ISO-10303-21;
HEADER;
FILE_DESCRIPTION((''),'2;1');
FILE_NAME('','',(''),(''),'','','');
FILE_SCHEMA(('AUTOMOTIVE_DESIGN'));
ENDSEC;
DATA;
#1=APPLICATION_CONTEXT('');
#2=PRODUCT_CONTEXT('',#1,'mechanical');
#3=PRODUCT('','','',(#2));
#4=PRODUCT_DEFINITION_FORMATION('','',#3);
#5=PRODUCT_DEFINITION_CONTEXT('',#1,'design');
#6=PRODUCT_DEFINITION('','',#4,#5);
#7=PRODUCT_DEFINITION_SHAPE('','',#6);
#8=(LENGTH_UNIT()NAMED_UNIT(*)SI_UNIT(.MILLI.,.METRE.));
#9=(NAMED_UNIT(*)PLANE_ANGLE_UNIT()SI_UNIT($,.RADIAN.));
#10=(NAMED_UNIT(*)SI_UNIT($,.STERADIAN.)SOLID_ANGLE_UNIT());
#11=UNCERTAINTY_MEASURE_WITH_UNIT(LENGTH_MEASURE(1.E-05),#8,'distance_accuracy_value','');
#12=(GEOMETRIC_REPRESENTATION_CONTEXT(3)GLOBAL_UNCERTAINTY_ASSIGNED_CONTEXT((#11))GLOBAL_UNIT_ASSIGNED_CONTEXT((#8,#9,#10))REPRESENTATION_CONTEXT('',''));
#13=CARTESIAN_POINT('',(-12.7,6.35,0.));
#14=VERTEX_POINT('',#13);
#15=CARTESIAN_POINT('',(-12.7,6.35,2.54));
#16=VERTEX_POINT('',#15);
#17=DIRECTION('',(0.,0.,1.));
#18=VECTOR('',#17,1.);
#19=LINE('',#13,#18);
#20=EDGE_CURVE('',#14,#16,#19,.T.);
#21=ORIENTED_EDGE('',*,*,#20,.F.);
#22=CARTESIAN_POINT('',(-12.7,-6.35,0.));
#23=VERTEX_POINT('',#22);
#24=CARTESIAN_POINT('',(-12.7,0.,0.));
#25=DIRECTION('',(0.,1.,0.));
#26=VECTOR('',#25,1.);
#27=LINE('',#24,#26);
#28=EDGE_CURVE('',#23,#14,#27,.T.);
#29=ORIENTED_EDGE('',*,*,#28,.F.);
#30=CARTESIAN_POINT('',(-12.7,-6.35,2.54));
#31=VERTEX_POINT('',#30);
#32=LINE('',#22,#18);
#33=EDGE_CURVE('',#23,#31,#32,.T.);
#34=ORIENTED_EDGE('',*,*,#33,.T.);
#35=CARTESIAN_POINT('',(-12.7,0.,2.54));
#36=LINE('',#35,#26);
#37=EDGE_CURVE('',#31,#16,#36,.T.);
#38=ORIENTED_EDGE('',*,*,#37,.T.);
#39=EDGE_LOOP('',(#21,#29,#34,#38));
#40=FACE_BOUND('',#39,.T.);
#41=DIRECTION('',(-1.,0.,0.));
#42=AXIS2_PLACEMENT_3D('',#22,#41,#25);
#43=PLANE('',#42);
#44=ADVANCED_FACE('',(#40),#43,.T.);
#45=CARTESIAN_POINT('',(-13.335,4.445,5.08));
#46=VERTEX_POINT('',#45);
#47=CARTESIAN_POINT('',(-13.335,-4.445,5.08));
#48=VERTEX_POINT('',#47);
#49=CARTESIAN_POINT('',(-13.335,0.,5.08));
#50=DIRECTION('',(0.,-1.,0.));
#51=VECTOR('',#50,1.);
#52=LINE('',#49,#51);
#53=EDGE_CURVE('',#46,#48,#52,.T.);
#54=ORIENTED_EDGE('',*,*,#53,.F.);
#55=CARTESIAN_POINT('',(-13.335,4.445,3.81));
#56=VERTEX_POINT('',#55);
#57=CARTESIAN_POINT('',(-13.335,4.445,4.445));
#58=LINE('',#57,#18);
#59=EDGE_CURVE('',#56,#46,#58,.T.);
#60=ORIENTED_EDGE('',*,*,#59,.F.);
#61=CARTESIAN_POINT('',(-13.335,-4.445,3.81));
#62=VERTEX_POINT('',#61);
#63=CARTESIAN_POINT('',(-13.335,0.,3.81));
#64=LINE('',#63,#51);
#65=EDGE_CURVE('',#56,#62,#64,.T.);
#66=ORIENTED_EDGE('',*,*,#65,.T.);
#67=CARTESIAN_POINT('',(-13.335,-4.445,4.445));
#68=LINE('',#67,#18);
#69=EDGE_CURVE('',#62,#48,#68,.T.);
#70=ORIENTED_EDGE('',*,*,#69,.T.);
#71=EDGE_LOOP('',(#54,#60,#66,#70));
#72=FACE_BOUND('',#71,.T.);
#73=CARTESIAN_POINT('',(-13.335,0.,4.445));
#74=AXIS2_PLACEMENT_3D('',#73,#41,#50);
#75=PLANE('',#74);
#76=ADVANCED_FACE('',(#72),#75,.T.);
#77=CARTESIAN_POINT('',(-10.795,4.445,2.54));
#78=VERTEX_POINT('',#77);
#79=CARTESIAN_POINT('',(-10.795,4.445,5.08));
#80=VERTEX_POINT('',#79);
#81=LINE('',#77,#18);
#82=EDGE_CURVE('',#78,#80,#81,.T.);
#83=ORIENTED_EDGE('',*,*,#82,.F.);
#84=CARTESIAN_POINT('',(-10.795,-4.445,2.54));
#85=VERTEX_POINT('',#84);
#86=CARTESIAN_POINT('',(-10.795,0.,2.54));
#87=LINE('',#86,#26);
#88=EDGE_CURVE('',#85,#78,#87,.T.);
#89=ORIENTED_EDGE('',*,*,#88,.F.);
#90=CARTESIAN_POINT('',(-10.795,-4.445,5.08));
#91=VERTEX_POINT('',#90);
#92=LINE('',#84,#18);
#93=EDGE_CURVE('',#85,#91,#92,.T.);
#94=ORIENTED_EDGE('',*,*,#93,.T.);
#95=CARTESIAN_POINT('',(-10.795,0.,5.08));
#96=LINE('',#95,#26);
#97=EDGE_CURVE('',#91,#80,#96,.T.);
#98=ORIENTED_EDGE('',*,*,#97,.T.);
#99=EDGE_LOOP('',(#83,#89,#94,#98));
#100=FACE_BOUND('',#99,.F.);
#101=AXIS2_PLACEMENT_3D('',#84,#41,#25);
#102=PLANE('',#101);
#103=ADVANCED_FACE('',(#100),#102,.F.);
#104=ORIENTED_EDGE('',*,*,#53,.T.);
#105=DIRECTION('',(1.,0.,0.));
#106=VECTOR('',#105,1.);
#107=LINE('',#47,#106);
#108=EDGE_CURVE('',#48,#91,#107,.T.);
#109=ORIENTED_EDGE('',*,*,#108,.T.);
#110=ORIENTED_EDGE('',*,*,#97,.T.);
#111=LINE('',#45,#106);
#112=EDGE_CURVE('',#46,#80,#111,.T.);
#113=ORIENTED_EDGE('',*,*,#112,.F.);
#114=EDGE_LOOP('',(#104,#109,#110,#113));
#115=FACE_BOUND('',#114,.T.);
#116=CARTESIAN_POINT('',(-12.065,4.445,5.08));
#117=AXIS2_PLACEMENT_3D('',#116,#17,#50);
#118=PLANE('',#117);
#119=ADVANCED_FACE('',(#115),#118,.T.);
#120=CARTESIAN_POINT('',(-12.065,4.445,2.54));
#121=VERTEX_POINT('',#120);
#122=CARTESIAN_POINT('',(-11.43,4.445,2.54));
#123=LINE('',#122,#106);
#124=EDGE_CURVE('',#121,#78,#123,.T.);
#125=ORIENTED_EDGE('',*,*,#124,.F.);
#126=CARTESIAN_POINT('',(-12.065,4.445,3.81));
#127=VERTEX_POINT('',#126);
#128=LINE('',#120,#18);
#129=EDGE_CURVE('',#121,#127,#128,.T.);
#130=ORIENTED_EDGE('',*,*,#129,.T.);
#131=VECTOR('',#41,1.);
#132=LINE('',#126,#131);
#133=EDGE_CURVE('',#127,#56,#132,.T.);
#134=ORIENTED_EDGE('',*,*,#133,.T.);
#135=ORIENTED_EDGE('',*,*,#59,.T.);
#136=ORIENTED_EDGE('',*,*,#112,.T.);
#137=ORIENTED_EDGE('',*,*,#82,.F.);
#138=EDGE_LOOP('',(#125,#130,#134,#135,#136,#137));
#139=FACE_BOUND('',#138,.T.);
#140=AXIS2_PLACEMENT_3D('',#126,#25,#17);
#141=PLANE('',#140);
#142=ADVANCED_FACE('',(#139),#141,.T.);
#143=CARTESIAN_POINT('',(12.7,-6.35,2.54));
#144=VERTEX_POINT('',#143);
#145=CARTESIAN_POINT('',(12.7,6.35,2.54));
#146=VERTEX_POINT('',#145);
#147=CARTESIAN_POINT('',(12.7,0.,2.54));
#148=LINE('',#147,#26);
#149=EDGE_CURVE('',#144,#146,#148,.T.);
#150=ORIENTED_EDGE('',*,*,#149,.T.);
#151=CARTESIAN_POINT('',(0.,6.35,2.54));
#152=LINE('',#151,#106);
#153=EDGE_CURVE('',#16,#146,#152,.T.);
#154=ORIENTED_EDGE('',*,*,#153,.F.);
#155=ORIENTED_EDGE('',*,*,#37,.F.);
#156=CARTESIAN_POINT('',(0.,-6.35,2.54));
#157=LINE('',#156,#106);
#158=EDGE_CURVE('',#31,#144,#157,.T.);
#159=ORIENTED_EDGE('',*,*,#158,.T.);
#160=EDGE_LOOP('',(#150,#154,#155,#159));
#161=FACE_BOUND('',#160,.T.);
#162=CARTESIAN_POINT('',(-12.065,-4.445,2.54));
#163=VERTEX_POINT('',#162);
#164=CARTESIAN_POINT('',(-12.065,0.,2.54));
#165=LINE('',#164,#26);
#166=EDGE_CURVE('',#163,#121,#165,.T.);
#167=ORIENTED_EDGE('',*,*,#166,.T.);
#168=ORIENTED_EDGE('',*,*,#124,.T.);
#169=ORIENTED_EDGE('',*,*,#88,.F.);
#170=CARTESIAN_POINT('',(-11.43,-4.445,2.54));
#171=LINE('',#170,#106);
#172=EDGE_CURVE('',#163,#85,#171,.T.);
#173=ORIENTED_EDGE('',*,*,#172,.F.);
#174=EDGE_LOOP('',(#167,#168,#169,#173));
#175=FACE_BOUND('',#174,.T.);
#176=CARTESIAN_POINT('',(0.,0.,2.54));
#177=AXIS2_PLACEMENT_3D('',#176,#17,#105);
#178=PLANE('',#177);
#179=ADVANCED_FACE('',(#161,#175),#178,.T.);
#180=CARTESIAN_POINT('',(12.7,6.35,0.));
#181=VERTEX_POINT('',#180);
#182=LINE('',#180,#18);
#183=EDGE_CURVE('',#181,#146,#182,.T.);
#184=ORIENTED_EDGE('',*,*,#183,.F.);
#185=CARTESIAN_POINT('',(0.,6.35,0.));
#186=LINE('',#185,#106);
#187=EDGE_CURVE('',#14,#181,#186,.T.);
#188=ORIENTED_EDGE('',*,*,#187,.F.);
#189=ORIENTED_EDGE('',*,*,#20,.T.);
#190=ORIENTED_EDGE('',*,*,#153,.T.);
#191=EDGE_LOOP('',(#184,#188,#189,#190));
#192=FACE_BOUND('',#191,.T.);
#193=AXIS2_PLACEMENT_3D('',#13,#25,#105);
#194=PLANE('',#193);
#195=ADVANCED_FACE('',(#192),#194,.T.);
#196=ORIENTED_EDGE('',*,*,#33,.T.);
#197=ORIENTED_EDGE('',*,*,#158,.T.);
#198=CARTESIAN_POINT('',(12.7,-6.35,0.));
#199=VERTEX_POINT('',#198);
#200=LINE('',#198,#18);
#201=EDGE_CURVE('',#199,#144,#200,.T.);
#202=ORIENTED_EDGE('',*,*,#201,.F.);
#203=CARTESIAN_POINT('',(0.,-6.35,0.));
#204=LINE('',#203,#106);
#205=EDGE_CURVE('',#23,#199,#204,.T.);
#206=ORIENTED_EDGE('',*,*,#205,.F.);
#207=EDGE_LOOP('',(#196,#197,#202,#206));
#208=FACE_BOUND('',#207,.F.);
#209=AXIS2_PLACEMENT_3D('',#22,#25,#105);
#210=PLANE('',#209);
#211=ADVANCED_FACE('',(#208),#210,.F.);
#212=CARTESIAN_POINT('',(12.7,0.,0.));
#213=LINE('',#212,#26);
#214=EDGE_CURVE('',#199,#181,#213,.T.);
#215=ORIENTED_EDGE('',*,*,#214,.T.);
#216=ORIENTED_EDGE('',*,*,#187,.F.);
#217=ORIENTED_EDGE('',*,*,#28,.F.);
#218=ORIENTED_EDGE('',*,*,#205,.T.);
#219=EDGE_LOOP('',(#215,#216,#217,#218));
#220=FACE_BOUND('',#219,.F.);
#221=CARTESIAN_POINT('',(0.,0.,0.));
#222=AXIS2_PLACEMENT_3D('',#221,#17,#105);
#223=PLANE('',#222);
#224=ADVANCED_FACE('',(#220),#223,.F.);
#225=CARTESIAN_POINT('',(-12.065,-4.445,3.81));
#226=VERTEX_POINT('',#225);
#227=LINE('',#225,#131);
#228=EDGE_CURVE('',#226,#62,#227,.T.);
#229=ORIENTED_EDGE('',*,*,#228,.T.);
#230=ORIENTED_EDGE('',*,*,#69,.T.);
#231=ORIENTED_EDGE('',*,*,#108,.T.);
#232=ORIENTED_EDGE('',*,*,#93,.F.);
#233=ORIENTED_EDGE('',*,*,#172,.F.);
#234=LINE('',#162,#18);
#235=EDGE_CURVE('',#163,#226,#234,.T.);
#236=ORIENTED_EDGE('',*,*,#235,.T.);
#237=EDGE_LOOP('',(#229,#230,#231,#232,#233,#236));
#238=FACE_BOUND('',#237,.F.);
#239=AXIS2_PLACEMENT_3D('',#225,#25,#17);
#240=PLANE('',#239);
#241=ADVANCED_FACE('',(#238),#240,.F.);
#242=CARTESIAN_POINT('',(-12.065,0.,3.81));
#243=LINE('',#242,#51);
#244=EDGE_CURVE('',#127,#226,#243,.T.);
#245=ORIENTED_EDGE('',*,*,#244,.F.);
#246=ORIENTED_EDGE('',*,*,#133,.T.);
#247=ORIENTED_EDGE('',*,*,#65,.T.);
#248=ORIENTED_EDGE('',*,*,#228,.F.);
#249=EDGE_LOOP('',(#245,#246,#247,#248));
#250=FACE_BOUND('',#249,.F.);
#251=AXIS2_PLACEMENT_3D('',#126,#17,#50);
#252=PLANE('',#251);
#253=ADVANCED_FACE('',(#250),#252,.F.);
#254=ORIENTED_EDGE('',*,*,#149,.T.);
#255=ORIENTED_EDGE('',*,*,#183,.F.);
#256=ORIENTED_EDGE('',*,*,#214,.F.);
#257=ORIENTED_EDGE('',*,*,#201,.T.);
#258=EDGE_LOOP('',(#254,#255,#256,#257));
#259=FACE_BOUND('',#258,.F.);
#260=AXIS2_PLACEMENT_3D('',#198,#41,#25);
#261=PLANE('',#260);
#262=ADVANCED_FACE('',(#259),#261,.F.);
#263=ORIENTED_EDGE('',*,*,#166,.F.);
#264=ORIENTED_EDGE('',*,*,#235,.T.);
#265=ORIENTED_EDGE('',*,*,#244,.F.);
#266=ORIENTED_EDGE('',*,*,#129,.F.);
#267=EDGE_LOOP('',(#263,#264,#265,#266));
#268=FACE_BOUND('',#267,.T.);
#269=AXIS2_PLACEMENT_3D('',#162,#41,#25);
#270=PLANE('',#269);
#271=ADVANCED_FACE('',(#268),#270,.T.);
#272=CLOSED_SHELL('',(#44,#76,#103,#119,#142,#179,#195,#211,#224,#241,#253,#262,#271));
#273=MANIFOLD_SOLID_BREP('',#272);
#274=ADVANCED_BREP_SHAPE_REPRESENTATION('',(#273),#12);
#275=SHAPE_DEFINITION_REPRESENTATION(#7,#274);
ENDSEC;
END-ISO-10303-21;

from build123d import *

# Parameters (mm, degrees)
F0_W     = 25.4
F0_H     = 12.7
F1_DEPTH = 2.54
F2_W     = 1.27
F2_H     = 8.89
F3_DEPTH = 2.54
F4_W     = 8.89
F4_H     = 1.27
F5_DEPTH = 1.27


with BuildPart() as f1:
    # F0 (on Top) → F1 (new body)
    with BuildSketch(Plane.XY):
        Rectangle(F0_W, F0_H)
    extrude(amount=F1_DEPTH)

    # F2 (on face) → F3 (join)
    with BuildSketch(Plane.XY.offset(2.54)):
        with Locations((-11.43, 0)):
            Rectangle(F2_W, F2_H)
    extrude(amount=F3_DEPTH)

    # F4 (on face) → F5 (join)
    with BuildSketch(Plane(origin=(-12.065, 0, 0), x_dir=(0, -1, 0), z_dir=(-1, 0, 0))):
        with Locations((0, 4.445)):
            Rectangle(F4_W, F4_H)
    extrude(amount=F5_DEPTH)


solid = f1.part
